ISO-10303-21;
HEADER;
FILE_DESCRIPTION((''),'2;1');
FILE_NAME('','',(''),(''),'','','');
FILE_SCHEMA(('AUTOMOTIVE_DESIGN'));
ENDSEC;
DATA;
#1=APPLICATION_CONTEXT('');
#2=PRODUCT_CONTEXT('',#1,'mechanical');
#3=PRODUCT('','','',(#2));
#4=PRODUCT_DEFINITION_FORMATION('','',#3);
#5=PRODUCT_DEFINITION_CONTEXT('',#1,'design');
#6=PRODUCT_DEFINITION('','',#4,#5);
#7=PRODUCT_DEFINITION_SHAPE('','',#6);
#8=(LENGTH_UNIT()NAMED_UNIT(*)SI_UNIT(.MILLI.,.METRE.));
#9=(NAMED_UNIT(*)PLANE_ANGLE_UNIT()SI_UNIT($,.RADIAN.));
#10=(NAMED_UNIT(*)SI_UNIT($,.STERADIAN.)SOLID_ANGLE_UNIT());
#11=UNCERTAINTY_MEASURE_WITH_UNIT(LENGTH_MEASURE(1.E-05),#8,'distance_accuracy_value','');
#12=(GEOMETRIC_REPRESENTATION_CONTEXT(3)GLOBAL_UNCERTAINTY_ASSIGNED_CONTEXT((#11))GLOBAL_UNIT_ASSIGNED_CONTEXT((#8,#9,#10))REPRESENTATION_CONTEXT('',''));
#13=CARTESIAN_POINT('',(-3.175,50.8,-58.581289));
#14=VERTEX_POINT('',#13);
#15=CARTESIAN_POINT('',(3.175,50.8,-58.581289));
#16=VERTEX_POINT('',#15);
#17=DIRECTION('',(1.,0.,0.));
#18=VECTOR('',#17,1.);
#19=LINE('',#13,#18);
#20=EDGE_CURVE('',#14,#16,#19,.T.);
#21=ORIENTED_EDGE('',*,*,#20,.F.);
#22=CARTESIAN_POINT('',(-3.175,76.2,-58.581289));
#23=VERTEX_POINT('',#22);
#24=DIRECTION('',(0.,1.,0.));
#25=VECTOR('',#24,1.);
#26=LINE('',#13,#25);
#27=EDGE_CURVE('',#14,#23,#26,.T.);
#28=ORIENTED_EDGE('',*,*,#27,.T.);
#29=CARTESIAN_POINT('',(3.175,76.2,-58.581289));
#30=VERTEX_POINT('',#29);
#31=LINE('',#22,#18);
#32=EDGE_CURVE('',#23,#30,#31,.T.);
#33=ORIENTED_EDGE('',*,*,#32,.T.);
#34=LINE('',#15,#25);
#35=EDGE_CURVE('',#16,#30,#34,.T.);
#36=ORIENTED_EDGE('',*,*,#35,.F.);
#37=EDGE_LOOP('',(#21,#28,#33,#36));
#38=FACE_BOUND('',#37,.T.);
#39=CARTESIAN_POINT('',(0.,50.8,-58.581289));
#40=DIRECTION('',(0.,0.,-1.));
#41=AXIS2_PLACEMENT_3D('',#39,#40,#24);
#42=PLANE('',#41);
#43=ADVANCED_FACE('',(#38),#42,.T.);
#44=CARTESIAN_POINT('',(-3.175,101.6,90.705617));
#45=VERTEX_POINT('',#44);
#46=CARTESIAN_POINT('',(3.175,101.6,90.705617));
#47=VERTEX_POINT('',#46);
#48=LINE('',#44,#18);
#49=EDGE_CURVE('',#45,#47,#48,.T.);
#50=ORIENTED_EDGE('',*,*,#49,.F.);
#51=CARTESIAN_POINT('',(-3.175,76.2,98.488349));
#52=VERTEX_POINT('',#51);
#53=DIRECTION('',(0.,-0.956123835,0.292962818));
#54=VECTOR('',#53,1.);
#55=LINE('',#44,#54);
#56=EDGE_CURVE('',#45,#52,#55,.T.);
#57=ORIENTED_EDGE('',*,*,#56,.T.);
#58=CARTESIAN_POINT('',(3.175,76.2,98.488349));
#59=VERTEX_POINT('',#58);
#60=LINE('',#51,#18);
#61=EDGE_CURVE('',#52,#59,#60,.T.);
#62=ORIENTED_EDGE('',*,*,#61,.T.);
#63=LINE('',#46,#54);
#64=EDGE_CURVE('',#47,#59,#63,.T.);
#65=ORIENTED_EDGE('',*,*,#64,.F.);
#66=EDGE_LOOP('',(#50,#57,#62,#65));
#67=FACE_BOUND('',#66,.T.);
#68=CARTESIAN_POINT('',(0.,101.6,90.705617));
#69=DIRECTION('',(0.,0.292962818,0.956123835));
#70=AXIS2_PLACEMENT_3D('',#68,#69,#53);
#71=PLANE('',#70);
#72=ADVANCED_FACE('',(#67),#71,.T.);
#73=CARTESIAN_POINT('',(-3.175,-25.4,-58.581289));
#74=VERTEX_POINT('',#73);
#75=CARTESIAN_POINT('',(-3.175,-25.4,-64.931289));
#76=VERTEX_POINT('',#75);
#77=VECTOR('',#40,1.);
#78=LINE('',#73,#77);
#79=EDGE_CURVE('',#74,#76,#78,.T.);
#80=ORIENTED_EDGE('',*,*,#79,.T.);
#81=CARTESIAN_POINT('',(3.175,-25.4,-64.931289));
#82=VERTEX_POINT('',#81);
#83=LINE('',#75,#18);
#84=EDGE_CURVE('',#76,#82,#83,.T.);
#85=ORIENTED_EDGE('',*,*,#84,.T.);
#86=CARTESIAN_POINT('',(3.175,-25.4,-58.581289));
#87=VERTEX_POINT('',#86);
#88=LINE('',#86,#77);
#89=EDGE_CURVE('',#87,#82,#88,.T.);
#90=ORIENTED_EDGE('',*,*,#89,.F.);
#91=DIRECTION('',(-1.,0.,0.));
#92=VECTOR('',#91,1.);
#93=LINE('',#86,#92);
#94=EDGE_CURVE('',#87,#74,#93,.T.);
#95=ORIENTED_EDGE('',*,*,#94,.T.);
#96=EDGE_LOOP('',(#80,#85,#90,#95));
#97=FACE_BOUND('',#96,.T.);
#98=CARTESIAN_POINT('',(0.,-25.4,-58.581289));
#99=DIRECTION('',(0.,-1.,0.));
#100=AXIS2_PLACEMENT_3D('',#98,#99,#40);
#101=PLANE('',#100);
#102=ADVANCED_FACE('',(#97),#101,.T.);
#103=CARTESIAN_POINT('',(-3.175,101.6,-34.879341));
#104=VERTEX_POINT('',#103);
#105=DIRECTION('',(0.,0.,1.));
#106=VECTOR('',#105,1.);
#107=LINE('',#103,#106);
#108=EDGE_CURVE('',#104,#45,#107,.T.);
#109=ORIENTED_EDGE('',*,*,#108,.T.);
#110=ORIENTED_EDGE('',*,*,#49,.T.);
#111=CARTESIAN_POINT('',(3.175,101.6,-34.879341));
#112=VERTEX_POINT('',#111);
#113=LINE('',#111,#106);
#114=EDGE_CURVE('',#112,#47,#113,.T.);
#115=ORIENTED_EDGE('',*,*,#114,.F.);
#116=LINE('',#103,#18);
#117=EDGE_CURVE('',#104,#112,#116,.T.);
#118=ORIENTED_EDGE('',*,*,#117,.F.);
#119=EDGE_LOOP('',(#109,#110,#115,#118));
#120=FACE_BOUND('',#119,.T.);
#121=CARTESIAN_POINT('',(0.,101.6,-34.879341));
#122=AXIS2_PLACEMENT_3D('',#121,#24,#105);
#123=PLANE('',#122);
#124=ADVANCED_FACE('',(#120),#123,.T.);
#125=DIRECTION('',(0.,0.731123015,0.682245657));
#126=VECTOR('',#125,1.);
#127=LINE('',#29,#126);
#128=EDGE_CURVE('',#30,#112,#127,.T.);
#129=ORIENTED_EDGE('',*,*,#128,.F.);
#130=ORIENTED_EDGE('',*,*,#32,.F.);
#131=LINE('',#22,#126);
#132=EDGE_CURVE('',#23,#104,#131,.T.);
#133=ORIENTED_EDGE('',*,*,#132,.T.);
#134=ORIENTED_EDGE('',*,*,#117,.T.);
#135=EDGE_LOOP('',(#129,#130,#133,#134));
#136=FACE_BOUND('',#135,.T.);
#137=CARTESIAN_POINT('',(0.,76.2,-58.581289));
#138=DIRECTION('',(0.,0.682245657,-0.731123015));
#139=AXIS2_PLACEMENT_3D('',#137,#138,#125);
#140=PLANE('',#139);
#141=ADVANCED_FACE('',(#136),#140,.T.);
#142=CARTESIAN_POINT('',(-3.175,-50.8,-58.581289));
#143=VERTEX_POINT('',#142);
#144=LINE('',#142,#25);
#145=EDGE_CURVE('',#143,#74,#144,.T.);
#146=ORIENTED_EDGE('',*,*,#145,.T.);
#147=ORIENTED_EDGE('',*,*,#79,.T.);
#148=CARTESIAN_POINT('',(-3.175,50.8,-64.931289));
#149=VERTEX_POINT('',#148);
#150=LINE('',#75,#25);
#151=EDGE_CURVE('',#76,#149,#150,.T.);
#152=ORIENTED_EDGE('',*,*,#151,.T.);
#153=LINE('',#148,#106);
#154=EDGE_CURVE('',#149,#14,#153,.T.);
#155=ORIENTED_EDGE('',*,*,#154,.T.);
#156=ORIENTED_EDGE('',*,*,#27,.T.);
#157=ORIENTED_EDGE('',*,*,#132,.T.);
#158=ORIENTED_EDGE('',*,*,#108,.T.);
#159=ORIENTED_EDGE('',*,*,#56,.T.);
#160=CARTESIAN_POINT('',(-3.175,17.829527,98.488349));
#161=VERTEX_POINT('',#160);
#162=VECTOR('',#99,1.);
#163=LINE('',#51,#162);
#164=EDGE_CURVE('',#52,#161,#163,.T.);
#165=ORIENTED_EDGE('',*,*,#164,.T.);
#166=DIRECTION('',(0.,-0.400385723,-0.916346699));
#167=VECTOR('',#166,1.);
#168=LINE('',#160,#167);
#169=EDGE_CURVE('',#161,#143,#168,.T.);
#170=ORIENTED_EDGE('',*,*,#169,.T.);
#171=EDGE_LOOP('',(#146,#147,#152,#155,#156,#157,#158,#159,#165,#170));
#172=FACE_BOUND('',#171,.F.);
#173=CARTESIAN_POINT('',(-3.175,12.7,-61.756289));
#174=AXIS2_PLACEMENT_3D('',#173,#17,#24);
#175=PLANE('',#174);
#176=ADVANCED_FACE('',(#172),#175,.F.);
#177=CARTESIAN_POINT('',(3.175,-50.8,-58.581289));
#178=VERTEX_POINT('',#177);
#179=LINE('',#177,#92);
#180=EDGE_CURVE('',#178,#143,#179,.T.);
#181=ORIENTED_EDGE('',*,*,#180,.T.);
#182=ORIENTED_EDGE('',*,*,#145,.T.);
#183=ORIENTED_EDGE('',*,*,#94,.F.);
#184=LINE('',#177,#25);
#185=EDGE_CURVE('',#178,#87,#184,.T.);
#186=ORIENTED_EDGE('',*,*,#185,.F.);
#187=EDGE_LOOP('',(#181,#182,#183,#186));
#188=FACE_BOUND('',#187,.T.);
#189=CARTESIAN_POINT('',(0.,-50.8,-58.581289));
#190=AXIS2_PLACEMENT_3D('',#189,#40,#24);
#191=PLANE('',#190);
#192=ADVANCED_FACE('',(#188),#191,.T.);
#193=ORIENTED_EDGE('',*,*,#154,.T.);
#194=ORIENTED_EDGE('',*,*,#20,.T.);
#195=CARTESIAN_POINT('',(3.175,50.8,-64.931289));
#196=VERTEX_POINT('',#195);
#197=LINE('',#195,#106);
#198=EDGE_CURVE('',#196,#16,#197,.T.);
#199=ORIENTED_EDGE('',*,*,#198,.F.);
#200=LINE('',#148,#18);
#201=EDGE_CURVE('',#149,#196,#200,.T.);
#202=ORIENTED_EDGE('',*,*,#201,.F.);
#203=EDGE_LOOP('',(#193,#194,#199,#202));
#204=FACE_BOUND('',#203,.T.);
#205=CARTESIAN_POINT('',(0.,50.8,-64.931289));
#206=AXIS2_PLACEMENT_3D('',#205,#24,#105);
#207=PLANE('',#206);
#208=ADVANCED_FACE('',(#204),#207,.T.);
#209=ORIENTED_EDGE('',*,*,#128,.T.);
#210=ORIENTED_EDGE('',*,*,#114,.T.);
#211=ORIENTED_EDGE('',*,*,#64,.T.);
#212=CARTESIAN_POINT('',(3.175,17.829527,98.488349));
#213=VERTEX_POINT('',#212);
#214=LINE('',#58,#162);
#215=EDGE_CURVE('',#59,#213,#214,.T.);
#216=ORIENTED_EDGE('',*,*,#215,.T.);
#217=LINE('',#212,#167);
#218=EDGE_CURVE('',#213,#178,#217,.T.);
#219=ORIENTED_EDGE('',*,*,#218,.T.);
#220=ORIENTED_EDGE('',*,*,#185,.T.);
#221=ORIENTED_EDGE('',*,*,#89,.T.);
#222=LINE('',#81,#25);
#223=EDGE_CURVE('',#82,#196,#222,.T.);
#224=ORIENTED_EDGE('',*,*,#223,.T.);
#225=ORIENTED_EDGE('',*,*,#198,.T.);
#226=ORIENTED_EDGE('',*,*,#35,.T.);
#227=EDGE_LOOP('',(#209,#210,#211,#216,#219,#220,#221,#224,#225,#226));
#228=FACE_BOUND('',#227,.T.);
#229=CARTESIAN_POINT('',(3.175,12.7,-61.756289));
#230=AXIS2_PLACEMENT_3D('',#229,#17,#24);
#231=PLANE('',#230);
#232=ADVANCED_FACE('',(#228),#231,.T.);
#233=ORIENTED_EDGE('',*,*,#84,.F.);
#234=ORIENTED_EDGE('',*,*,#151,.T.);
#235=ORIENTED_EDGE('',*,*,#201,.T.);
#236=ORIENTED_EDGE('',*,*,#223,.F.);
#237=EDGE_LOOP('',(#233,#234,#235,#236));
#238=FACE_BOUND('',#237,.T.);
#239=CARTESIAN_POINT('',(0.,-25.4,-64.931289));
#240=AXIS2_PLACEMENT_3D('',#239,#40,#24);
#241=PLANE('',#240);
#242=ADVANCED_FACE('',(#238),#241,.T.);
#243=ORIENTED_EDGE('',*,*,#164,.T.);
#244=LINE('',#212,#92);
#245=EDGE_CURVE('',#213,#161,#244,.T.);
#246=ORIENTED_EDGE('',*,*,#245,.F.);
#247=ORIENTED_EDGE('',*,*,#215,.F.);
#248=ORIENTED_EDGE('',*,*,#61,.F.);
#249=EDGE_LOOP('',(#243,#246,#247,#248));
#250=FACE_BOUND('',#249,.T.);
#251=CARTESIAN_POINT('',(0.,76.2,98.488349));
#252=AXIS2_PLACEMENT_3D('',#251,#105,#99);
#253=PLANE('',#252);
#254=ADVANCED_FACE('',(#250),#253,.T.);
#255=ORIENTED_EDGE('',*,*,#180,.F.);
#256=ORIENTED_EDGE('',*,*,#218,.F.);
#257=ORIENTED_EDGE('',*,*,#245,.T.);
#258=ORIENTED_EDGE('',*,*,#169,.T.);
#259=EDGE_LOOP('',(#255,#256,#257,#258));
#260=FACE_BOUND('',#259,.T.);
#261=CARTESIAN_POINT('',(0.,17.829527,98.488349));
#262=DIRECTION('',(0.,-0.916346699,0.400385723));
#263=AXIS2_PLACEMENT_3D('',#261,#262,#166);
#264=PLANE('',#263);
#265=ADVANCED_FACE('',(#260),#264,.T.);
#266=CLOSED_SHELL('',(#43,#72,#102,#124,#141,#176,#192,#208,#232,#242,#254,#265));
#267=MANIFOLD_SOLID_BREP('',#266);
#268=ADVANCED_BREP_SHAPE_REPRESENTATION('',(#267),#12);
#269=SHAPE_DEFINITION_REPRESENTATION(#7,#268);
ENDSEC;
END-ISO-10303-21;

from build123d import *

# Parameters (mm, degrees)
F1_DEPTH = 3.175


with BuildPart() as f1:
    # F0 (on Right) → F1 (new body, symmetric)
    with BuildSketch(Plane.YZ):
        Polygon((50.8, -58.581289), (0, -58.581289), (-25.4, -58.581289), (-25.4, -64.931289), (50.8, -64.931289), align=None)
        Polygon((-25.4, -58.581289), (0, -58.581289), (50.8, -58.581289), (76.2, -58.581289), (101.6, -34.879341), (101.6, 90.705617), (76.2, 98.488349), (17.829527, 98.488349), (-50.8, -58.581289), align=None)
    extrude(amount=F1_DEPTH, both=True)


solid = f1.part
